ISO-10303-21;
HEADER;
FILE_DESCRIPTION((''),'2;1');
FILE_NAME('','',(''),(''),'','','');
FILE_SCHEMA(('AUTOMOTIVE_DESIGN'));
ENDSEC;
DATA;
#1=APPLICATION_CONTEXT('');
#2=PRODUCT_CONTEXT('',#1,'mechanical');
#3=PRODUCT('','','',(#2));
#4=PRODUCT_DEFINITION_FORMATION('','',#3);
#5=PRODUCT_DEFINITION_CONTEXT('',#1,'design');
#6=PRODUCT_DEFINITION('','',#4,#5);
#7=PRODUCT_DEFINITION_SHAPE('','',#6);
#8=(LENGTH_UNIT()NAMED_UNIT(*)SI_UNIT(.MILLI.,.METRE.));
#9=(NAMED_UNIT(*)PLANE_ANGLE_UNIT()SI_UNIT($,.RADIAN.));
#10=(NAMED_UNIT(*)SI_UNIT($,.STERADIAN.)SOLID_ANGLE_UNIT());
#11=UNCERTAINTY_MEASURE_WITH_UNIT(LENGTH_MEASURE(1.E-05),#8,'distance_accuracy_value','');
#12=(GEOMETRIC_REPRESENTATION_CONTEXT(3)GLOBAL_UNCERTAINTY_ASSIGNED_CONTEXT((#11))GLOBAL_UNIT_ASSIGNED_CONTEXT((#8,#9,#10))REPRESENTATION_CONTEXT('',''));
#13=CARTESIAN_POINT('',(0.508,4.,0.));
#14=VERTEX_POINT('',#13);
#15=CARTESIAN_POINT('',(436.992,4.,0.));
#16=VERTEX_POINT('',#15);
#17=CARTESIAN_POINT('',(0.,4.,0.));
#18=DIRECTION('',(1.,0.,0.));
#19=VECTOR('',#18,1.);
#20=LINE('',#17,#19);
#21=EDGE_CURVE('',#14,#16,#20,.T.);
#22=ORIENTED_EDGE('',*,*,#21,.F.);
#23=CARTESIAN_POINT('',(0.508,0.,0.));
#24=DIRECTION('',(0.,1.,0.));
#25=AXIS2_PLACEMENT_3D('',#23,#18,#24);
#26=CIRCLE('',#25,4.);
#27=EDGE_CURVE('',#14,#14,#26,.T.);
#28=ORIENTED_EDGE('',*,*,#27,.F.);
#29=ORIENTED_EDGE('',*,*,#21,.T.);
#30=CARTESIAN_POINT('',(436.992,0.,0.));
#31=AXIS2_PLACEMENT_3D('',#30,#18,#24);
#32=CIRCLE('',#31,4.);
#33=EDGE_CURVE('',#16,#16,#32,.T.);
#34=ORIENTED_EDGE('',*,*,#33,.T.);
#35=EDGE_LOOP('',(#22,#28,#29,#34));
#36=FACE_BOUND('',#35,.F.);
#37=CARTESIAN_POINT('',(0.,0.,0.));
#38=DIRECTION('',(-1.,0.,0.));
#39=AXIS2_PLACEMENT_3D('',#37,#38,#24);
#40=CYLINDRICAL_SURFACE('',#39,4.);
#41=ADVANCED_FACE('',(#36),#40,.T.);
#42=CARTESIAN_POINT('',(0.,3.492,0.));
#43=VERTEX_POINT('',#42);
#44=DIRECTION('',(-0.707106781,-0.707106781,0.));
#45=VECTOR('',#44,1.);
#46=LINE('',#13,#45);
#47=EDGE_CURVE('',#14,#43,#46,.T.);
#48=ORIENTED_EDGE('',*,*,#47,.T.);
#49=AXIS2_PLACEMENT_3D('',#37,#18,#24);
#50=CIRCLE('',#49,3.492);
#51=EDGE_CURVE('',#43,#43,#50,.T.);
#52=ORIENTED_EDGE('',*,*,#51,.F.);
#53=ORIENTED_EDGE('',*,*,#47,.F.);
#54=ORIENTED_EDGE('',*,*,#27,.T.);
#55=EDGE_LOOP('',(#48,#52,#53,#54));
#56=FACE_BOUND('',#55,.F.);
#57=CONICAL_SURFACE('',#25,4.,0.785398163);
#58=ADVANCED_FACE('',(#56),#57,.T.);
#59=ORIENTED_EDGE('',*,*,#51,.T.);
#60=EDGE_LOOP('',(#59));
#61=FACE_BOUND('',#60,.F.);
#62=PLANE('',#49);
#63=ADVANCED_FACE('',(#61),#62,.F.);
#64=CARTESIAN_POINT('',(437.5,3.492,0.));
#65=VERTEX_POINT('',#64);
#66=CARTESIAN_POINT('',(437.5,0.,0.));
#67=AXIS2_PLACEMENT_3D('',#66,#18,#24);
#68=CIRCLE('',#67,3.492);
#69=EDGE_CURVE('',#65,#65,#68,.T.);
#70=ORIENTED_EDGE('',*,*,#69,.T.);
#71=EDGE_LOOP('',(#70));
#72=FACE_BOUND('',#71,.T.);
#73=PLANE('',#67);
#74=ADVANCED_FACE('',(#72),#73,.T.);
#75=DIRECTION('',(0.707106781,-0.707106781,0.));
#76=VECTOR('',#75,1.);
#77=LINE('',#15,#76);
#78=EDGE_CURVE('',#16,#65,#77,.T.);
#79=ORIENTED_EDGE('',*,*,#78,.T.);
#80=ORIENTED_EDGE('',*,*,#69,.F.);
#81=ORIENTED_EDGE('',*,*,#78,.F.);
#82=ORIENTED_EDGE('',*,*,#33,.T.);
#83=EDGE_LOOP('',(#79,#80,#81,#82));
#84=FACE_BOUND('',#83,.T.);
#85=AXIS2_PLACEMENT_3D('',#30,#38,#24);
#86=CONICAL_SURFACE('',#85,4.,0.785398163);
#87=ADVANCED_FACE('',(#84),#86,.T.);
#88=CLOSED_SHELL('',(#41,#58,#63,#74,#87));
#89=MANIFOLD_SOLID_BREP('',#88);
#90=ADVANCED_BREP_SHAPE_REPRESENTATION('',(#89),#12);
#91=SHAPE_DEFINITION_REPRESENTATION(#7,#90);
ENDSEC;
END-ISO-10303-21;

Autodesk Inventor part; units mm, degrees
ref_plane "YZ Plane" through (0, 0, 0) normal (1, 0, 0) x (0, 1, 0)
ref_plane "XZ Plane" through (0, 0, 0) normal (0, 1, 0) x (-1, 0, 0)
ref_plane "XY Plane" through (0, 0, 0) normal (0, 0, 1) x (1, 0, 0)
sketch "Sketch1" plane through (0, 0, 0) normal (1, 0, 0) x (0, 1, 0)
  circle A0 centre (0, 0) radius 4
  dimension "d0" = 8
extrude "Extrusion1" add sketch "Sketch1" along normal blind 437.5
chamfer "Chamfer1" distance 0.508 angle 45 2 edges at (0, -4, 0) (437.5, -4, 0)
properties part number "8mm Rod ~44cm" material "Aluminum 6061"
